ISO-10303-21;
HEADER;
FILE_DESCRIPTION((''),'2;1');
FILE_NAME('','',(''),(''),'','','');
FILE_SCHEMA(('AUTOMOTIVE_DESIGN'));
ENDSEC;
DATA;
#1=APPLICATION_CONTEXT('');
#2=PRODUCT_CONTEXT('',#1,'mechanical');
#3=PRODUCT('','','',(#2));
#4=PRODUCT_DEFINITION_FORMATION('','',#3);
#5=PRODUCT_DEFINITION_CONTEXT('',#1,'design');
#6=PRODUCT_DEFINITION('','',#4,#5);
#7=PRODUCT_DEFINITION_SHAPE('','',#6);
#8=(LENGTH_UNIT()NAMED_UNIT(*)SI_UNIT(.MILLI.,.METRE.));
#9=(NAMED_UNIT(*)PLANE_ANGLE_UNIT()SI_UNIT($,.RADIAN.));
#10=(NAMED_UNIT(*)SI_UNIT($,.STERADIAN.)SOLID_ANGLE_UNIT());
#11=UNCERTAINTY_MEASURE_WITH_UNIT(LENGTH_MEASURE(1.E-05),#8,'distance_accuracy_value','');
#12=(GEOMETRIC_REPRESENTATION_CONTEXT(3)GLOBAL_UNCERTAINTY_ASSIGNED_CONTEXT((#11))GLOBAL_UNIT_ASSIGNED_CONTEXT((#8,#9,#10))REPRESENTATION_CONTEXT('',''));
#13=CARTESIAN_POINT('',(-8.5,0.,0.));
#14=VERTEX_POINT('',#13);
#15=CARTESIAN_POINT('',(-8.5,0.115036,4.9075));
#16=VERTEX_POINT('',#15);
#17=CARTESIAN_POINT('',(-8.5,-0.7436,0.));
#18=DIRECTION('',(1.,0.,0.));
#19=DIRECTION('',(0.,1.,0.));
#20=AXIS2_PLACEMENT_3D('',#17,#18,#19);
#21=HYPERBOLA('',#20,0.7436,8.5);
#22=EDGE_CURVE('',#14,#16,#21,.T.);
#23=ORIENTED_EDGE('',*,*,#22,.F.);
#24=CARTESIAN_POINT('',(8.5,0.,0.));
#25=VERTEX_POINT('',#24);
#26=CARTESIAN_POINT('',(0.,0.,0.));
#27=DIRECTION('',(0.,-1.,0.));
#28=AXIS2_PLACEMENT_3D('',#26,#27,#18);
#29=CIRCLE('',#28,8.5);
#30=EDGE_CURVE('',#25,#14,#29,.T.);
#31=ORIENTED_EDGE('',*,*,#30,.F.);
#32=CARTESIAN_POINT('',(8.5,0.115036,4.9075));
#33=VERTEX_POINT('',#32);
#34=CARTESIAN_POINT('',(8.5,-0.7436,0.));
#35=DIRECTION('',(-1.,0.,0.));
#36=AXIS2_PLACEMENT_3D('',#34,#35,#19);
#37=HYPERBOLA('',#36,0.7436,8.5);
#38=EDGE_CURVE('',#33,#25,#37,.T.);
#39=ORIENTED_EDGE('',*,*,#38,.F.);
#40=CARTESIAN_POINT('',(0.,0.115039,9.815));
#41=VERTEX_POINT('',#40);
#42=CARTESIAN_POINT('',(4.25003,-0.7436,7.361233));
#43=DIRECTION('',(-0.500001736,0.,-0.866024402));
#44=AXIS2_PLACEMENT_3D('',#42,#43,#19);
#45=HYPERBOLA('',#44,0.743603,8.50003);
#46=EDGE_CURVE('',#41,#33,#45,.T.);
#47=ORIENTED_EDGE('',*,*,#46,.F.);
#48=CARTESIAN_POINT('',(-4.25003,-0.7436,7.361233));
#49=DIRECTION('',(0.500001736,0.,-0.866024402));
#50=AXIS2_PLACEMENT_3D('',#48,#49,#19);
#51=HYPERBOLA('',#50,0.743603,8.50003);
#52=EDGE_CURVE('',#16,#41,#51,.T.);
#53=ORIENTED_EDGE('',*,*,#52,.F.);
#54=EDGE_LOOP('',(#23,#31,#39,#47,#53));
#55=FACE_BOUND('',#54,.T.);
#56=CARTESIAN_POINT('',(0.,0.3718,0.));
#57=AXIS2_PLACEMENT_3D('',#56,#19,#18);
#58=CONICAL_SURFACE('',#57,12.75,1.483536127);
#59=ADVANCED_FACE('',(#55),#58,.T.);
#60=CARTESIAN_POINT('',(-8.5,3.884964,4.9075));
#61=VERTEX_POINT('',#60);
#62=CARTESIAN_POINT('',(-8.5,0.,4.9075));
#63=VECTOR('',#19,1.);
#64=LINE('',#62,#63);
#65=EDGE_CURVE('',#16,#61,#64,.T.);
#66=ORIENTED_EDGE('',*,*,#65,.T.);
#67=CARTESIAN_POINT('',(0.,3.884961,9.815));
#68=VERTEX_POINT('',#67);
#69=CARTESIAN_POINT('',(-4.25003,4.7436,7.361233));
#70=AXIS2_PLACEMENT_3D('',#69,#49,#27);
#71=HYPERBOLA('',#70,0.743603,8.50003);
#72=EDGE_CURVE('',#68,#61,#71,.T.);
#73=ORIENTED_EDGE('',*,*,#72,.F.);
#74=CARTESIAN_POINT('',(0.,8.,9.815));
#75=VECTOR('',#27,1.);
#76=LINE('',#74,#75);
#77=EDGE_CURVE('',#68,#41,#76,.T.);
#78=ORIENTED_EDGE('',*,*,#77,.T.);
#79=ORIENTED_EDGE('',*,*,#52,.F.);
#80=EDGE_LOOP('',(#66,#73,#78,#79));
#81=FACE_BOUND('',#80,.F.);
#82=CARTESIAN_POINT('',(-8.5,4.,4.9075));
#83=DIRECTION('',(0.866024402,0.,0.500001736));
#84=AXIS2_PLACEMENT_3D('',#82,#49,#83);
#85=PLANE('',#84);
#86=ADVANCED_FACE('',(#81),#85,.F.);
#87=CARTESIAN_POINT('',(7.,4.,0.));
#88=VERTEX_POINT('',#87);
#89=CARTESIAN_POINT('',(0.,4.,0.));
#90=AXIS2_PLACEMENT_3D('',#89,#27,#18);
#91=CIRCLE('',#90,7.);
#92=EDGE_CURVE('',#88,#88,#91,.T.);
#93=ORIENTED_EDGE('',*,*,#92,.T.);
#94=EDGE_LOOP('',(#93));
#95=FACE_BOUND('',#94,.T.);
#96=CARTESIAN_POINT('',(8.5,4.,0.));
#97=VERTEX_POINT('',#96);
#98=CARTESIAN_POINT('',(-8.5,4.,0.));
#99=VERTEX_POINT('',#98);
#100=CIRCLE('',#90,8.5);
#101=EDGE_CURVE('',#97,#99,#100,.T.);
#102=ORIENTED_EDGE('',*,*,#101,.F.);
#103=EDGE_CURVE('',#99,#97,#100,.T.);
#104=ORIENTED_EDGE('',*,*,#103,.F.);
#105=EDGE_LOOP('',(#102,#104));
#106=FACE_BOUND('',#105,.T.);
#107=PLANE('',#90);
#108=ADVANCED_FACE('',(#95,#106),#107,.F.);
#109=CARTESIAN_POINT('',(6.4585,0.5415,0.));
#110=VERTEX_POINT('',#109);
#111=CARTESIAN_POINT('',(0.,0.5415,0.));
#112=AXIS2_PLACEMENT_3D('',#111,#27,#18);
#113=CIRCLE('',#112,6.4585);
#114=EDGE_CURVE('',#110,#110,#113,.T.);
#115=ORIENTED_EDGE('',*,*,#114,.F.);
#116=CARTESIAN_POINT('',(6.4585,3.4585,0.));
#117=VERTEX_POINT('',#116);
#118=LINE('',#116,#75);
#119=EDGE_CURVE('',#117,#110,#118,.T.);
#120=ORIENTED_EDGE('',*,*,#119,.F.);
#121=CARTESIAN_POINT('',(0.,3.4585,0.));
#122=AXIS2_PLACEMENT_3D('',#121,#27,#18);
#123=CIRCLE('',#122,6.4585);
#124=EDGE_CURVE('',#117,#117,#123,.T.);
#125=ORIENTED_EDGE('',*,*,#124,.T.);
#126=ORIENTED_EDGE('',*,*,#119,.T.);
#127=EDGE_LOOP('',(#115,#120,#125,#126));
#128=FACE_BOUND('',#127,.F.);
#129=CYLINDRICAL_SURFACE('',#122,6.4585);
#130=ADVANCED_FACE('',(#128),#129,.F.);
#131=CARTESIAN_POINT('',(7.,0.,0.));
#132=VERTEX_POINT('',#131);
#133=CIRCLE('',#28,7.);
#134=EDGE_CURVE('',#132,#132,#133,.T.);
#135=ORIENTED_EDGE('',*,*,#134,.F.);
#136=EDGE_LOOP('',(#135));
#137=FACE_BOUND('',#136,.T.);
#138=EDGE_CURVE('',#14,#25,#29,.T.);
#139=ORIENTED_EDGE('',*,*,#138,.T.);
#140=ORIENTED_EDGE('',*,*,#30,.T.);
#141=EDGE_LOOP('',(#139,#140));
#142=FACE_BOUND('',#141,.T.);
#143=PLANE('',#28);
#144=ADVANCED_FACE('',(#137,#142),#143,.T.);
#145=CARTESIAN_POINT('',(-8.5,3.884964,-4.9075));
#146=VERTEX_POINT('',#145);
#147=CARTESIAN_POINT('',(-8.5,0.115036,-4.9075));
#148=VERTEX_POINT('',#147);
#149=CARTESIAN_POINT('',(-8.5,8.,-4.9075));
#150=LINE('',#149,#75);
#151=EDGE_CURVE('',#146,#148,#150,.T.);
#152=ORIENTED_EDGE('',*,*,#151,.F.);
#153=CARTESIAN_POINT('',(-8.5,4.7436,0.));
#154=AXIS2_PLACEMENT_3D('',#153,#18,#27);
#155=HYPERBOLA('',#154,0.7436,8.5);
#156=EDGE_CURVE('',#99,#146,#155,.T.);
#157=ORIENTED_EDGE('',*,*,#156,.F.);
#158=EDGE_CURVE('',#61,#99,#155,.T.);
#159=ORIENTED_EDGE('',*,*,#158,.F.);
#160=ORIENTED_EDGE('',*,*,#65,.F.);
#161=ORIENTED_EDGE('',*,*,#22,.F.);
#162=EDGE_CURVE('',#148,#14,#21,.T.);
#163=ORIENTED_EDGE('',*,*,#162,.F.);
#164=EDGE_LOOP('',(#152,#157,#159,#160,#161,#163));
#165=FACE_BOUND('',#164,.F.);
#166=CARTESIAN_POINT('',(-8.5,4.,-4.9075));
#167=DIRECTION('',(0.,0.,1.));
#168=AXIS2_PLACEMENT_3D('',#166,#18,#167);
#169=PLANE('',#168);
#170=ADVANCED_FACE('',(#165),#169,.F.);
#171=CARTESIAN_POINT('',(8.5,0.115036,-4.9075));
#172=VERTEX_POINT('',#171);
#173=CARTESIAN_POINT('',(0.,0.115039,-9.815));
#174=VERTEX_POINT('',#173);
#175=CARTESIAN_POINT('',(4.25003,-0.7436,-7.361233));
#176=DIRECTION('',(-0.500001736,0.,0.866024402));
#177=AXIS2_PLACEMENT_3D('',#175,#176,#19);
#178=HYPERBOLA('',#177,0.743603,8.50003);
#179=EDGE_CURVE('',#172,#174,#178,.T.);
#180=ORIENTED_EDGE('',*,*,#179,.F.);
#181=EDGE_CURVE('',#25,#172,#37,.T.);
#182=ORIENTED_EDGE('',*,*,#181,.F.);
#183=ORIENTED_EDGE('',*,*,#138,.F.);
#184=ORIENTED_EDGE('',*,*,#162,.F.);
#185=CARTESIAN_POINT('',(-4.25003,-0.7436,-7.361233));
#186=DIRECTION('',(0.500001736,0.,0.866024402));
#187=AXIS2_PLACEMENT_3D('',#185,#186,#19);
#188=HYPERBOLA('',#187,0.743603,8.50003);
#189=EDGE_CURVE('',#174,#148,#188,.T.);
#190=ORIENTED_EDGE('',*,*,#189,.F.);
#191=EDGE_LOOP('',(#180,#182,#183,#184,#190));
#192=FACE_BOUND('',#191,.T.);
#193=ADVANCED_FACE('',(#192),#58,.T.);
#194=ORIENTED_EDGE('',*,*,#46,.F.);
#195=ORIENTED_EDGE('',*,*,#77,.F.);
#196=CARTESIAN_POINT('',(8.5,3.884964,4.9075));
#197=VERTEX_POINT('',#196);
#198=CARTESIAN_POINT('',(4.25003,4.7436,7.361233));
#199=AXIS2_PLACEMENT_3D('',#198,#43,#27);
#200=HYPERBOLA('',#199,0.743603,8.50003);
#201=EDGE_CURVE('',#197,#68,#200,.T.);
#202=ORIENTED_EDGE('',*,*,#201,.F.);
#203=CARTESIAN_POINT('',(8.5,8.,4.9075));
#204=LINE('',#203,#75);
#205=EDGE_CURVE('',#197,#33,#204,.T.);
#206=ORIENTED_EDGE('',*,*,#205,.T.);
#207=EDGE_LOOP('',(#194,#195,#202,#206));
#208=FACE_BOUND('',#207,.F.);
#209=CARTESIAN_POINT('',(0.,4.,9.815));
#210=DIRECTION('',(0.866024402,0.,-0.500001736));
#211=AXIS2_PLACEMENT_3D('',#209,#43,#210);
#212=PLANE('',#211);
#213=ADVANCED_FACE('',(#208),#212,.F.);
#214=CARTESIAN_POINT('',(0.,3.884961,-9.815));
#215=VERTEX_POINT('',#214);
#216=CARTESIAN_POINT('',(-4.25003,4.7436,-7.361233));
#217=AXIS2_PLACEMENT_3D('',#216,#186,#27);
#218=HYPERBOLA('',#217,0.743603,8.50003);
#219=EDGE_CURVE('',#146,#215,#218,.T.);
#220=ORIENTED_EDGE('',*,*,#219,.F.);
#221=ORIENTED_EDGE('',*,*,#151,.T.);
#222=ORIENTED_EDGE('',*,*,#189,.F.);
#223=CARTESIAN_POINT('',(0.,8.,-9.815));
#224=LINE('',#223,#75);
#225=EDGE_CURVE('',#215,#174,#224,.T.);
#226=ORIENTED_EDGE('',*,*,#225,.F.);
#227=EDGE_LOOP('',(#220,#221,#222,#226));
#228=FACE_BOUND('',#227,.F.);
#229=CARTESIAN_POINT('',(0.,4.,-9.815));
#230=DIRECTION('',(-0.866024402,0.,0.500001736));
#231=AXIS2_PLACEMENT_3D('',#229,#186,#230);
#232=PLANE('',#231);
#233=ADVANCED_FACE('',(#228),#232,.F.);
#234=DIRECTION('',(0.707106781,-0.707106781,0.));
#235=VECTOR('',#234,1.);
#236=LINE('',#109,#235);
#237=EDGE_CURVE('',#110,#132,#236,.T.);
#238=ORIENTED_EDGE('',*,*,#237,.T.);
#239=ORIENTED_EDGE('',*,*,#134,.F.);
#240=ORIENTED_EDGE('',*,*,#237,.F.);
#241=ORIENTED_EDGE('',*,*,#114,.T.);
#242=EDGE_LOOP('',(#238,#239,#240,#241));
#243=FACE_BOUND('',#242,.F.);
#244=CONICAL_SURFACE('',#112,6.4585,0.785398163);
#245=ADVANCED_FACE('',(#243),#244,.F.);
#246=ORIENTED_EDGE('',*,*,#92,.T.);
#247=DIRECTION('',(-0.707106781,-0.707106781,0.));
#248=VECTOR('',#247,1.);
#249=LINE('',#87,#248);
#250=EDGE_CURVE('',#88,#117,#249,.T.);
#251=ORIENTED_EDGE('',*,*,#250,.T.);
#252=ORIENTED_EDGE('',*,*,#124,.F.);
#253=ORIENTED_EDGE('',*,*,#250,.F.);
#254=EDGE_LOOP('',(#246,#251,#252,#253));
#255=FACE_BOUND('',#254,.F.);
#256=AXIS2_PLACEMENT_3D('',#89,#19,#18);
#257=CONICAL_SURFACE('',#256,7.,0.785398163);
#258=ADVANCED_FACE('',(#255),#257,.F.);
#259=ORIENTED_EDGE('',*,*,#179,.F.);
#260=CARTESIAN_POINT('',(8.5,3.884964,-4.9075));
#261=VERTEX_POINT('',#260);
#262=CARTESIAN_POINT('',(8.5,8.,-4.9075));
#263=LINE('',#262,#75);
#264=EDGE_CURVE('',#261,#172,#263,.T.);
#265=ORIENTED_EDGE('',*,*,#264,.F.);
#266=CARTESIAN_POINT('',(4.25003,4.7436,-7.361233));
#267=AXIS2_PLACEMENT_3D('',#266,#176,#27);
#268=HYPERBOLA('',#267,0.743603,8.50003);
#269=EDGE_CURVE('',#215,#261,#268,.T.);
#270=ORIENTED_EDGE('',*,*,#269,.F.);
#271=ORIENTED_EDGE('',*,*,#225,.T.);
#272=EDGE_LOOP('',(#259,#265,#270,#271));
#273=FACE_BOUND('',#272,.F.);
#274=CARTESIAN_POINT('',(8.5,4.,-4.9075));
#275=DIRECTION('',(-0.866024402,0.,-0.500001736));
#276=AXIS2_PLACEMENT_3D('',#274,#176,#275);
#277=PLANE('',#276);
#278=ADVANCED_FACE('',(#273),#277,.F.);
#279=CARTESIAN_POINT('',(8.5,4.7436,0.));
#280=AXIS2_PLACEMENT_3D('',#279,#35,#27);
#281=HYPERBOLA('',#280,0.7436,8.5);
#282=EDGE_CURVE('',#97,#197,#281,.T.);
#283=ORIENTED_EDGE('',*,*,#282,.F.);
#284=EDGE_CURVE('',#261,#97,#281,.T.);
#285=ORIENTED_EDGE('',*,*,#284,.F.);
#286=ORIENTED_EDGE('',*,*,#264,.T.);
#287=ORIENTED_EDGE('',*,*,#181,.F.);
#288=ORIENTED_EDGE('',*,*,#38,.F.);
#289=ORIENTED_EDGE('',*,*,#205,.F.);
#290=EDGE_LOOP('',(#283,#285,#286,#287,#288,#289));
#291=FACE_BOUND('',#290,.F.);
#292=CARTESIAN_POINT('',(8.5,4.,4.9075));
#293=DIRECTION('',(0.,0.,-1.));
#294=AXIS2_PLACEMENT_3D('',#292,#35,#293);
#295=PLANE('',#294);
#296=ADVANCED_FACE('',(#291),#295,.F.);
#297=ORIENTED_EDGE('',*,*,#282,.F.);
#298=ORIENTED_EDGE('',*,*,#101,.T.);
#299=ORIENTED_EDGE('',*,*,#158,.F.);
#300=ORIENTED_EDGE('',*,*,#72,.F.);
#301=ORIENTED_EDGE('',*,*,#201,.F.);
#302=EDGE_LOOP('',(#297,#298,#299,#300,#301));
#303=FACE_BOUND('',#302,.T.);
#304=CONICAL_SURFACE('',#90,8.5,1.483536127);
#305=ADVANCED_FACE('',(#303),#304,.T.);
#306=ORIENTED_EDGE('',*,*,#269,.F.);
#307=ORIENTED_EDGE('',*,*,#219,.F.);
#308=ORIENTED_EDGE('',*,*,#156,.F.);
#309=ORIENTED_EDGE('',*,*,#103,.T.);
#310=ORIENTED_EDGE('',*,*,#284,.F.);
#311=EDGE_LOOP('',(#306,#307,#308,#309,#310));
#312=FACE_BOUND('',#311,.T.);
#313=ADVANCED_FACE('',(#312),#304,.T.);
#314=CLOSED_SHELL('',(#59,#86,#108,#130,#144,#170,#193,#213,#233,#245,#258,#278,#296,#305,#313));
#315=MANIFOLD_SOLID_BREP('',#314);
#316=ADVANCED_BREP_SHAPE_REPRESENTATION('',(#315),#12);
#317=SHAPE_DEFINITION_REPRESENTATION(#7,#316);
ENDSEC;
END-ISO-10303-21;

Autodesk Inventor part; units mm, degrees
sketch "Skizze_1" plane through (0, 0, 0) normal (0, 0, 1) x (1, 0, 0)
  line L0 (0, 0) -> (0, 4)
  line L1 (0, 4) -> (8.5, 4)
  line L2 (8.5, 4) -> (12.75, 3.6282)
  line L3 (12.75, 3.6282) -> (12.75, 0.3718)
  line L4 (12.75, 0.3718) -> (8.5, 0)
  line L5 (8.5, 0) -> (0, 0)
  line L6 (0, 0) -> (0, 4)
revolve "Revolution1" add sketch "Skizze_1" angle 360 about axis through (0, 0, 0) along (0, -1, 0)
sketch "Skizze_2" plane through (0, 4, 0) normal (0, 1, 0) x (1, 0, 0)
  line L0 (-17, 17) -> (-17, -17)
  line L1 (-17, -17) -> (17, -17)
  line L2 (17, -17) -> (17, 17)
  line L3 (17, 17) -> (-17, 17)
  line L4 (-8.5, -4.9075) -> (0, -9.815)
  line L5 (0, -9.815) -> (8.5, -4.9075)
  line L6 (8.5, -4.9075) -> (8.5, 4.9075)
  line L7 (8.5, 4.9075) -> (0, 9.815)
  line L8 (0, 9.815) -> (-8.5, 4.9075)
  line L9 (-8.5, 4.9075) -> (-8.5, -4.9075)
extrude "Extrusion1" cut sketch "Skizze_2" along normal mid plane 8
sketch "Sketch_1" plane through (0, 0, 0) normal (0, 0, 1) x (1, 0, 0)
  line L0 (0, 0) -> (0, 4)
  line L1 (0, 4) -> (7, 4)
  line L2 (7, 4) -> (6.4585, 3.4585)
  line L3 (6.4585, 3.4585) -> (6.4585, 0.5415)
  line L4 (6.4585, 0.5415) -> (7, 0)
  line L5 (7, 0) -> (0, 0)
  line L6 (0, 0) -> (0, 4)
revolve "Revolution2" cut sketch "Sketch_1" angle 360 about axis through (0, 0, 0) along (0, -1, 0)
thread "Thread1" size "M14x1" class "6H" standard "ISO Metric profile" full length
ref_plane "ANBAU_XY" through (0, 0, 0) normal (0, 1, 0) x (1, 0, 0)
ref_plane "ANBAU_YZ" through (0, 0, 0) normal (1, 0, 0) x (0, 0, -1)
ref_plane "ANBAU_ZX" through (0, 0, 0) normal (0, 0, -1) x (0, 1, 0)
properties part number "130519 ESHM-M14x1"
